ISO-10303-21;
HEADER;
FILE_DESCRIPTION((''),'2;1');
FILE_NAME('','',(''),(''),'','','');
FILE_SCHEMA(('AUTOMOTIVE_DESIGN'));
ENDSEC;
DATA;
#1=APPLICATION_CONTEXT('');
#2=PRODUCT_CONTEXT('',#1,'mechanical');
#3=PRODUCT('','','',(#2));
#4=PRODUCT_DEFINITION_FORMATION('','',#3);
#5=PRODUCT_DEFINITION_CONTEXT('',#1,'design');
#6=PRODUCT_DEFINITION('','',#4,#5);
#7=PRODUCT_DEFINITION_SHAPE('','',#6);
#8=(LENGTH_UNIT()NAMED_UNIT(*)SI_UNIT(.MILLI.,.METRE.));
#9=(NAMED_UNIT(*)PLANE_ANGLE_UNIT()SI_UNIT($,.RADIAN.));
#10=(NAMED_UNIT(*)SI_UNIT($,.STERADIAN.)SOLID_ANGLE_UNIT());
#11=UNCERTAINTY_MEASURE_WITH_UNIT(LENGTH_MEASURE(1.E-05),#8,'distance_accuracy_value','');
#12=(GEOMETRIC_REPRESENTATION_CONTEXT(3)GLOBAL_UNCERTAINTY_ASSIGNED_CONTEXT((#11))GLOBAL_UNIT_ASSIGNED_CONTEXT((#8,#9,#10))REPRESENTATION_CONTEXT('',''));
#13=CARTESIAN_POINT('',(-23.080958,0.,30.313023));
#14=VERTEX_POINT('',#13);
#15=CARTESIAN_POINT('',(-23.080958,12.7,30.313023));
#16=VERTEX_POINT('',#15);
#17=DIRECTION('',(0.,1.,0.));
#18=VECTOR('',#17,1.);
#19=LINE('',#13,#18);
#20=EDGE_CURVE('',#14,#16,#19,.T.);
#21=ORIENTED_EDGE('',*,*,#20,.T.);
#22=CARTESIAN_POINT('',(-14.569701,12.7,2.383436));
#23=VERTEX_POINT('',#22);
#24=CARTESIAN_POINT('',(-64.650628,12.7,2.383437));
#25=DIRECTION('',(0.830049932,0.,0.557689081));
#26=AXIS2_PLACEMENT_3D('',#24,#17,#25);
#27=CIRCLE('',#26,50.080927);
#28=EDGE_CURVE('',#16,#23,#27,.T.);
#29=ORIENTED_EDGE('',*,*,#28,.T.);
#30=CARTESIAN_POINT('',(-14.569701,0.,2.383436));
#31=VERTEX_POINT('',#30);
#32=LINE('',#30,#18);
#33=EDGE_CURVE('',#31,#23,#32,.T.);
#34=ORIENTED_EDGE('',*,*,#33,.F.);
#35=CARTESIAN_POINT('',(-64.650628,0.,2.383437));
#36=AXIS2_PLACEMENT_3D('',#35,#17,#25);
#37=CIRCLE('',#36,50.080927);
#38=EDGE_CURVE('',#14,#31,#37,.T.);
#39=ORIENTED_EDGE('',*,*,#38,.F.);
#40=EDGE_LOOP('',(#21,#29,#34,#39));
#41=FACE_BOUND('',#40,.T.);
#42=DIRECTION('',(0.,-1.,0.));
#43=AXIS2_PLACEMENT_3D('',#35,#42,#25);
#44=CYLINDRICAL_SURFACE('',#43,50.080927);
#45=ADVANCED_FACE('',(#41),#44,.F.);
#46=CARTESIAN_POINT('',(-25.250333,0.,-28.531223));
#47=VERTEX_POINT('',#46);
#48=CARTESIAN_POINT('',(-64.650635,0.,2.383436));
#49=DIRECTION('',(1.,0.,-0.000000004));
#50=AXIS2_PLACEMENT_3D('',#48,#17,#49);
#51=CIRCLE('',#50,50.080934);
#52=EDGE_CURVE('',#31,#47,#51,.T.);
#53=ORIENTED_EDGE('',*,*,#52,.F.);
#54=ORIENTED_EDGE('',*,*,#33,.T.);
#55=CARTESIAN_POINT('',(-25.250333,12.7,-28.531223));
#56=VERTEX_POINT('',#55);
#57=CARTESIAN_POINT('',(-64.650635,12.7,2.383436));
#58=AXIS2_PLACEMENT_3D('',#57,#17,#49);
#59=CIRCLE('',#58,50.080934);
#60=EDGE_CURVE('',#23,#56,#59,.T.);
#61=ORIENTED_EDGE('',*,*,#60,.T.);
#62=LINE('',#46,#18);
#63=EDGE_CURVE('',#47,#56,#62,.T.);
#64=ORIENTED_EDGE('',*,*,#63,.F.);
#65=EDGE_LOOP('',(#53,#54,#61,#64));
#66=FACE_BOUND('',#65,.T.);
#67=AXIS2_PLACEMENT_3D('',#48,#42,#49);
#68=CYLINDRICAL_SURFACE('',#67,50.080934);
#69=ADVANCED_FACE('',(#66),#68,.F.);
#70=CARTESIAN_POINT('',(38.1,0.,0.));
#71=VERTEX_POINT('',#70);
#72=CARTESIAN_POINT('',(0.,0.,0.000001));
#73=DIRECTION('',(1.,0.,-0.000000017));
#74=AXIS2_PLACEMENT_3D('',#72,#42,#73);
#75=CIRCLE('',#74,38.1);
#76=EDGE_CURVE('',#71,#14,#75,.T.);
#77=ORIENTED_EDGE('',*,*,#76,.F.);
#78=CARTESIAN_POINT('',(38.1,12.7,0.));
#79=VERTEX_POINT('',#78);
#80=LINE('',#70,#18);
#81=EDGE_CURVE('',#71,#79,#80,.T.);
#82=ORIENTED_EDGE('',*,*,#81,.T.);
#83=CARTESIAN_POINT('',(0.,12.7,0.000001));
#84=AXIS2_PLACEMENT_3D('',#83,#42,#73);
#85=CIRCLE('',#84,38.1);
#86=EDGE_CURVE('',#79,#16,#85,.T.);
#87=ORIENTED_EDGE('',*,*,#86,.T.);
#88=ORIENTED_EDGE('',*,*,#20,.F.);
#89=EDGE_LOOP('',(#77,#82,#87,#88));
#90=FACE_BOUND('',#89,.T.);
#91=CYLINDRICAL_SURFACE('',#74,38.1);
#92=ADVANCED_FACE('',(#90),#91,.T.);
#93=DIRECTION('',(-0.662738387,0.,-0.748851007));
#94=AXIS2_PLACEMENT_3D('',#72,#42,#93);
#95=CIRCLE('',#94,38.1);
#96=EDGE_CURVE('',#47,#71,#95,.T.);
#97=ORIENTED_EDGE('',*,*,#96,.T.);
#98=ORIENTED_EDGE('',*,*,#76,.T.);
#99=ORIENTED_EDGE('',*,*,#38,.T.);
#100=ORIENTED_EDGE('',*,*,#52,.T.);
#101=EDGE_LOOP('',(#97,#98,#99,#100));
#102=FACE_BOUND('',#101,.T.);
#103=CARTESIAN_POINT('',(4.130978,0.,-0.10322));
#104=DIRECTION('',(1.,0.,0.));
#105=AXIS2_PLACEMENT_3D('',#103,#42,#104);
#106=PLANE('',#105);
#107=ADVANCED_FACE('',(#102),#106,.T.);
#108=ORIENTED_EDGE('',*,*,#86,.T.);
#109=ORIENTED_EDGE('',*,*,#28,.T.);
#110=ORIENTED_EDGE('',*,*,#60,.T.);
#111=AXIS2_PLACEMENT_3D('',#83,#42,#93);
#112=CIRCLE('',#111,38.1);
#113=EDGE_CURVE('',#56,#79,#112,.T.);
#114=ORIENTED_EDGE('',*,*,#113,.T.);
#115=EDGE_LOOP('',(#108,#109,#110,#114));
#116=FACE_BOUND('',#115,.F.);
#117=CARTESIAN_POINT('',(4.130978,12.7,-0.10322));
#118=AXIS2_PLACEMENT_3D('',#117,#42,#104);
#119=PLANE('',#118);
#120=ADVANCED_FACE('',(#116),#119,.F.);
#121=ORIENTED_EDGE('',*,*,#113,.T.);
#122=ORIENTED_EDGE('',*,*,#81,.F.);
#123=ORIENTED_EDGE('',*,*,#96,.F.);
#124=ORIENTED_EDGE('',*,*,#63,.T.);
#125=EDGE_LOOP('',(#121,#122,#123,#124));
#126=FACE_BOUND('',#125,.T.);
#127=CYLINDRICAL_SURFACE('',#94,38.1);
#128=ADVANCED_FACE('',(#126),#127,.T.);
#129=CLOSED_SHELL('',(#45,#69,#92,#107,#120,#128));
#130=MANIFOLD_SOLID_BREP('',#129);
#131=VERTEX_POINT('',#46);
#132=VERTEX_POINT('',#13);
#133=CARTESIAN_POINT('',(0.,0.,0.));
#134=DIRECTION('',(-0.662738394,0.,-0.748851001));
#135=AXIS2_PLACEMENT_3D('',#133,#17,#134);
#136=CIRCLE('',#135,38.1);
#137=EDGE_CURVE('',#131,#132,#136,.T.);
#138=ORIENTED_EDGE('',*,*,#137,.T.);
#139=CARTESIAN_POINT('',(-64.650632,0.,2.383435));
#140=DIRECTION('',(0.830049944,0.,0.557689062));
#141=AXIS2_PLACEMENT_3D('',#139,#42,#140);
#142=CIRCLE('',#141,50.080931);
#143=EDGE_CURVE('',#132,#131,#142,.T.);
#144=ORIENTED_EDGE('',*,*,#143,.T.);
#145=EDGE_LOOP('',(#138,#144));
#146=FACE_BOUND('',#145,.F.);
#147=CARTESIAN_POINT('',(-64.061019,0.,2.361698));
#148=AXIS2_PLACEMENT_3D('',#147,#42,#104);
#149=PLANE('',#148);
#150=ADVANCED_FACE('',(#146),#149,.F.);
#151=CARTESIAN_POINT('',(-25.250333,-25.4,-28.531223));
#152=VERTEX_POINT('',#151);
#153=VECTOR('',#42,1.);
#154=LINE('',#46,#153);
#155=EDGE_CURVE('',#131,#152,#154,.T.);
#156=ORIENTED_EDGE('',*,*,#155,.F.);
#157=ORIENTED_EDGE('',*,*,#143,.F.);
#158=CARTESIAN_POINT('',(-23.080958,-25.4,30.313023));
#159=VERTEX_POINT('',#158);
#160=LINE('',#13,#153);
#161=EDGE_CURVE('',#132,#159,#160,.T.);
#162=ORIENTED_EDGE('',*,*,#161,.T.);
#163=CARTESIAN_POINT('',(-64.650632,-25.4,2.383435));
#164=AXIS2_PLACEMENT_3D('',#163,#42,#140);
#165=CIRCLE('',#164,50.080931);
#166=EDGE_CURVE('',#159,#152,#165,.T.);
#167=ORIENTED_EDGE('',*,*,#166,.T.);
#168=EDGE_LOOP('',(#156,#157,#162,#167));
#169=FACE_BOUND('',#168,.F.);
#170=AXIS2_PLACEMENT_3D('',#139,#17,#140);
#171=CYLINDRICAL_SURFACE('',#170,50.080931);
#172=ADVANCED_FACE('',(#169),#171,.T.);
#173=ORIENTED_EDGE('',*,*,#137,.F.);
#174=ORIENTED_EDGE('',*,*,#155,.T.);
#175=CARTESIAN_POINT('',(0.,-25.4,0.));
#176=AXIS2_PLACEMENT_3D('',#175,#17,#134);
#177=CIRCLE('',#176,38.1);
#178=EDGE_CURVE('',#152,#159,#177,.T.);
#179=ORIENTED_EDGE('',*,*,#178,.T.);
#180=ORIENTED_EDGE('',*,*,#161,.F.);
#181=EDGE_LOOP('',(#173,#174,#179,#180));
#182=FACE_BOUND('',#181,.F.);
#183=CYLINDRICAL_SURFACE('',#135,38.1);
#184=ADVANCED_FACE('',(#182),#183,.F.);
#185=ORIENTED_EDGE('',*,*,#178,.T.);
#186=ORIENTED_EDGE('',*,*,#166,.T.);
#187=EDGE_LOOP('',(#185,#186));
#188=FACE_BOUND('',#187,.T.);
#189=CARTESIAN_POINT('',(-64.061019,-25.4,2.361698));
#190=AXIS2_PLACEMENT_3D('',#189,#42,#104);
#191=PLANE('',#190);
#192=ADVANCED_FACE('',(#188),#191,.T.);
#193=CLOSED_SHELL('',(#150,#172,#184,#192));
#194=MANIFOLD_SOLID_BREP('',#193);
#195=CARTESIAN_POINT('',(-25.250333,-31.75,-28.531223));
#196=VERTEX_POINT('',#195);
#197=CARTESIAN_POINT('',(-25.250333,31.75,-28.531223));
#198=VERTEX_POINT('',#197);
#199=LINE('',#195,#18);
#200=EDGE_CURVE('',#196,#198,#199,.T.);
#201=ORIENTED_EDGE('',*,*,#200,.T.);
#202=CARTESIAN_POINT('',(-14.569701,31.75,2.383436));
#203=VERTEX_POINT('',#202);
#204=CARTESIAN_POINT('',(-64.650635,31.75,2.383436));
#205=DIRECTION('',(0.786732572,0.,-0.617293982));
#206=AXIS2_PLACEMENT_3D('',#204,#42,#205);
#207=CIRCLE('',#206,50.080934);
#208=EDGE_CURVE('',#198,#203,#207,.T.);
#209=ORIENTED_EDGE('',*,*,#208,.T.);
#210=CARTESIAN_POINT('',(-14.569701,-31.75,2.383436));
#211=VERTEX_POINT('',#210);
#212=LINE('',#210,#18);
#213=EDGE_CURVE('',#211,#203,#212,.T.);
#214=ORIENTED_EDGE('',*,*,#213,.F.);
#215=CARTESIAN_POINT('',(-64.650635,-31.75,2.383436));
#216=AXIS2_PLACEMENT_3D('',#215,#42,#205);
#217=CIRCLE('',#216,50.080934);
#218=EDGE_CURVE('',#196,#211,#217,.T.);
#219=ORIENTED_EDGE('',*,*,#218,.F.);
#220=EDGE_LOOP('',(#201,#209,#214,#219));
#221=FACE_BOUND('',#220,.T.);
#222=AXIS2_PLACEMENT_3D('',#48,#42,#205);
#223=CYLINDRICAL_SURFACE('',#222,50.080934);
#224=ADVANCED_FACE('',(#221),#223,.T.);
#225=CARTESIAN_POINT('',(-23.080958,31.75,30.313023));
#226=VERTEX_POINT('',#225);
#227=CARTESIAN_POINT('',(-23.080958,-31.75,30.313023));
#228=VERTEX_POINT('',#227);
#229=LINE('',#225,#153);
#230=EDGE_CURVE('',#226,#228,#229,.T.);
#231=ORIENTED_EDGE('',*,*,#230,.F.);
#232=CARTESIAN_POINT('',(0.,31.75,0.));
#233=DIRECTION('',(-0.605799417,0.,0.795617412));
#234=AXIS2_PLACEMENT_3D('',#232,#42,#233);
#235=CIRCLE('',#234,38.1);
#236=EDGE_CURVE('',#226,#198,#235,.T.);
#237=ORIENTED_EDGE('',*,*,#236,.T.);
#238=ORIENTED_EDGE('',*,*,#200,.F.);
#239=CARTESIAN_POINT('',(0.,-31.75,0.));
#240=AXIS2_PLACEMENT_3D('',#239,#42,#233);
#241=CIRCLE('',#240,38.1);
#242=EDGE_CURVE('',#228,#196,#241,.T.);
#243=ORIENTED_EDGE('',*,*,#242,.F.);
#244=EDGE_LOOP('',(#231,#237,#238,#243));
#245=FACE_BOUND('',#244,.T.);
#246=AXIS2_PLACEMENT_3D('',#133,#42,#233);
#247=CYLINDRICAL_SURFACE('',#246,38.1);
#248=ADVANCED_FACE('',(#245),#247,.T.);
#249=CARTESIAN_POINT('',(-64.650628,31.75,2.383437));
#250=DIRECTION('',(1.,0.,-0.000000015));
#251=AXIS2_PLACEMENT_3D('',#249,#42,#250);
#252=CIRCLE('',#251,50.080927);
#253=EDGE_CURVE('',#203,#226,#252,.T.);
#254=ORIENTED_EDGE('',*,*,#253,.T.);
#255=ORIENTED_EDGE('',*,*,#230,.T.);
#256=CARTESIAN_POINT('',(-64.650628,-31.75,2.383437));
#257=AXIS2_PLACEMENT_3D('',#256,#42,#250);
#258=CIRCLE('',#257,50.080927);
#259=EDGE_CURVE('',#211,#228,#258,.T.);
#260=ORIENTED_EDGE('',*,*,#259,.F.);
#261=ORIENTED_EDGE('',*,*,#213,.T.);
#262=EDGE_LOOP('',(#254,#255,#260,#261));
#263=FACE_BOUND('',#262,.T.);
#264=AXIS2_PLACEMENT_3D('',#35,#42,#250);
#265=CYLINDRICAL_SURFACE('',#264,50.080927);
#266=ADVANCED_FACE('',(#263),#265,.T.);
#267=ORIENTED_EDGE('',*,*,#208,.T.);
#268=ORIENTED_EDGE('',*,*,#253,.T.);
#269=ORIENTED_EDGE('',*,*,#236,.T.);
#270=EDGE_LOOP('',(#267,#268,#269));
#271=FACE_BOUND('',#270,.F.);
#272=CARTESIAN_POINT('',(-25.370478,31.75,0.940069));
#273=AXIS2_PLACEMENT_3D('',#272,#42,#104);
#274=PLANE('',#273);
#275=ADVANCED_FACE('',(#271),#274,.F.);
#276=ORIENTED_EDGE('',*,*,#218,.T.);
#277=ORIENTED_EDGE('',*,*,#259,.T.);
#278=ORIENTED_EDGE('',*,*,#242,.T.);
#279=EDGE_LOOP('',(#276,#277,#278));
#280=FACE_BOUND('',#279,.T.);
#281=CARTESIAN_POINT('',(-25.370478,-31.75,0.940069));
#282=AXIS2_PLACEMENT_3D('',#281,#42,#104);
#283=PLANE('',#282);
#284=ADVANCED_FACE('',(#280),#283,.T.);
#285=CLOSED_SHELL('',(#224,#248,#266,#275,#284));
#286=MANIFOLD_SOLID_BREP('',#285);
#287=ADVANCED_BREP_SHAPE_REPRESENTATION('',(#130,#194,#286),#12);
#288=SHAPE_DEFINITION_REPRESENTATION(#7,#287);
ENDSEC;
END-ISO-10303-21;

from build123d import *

# Parameters (mm, degrees)
F1_DEPTH = 25.4
F2_DEPTH = 12.7
F3_DEPTH = 31.75


with BuildPart() as f1:
    # F0 (on Front) → F1 (new body)
    with BuildSketch(Plane.XZ):
        with BuildLine():
            ThreePointArc((-25.250333, -28.531223), (-38.074135, 1.403656), (-23.080958, 30.313023))
            ThreePointArc((-23.080958, 30.313023), (-114.697565, 4.228486), (-25.250333, -28.531223))
        make_face()
    extrude(amount=F1_DEPTH)


with BuildPart() as f2:
    # F0 (on Front) → F2 (new body)
    with BuildSketch(Plane.XZ):
        with BuildLine():
            ThreePointArc((-25.250333, -28.531223), (15.645643, -34.73937), (38.1, 0))
            ThreePointArc((38.1, 0), (16.914868, 34.13938), (-23.080958, 30.313023))
            ThreePointArc((-23.080958, 30.313023), (-16.744747, 16.982266), (-14.569701, 2.383436))
            ThreePointArc((-14.569701, 2.383436), (-17.31511, -13.970402), (-25.250333, -28.531223))
        make_face()
    extrude(amount=-F2_DEPTH)


with BuildPart() as f3:
    # F0 (on Front) → F3 (new body, symmetric)
    with BuildSketch(Plane.XZ):
        with BuildLine():
            ThreePointArc((-14.569701, 2.383436), (-16.744747, 16.982266), (-23.080958, 30.313023))
            ThreePointArc((-23.080958, 30.313023), (-38.074135, 1.403656), (-25.250333, -28.531223))
            ThreePointArc((-25.250333, -28.531223), (-17.31511, -13.970402), (-14.569701, 2.383436))
        make_face()
    extrude(amount=F3_DEPTH, both=True)


solid = Compound([f1.part, f2.part, f3.part])
